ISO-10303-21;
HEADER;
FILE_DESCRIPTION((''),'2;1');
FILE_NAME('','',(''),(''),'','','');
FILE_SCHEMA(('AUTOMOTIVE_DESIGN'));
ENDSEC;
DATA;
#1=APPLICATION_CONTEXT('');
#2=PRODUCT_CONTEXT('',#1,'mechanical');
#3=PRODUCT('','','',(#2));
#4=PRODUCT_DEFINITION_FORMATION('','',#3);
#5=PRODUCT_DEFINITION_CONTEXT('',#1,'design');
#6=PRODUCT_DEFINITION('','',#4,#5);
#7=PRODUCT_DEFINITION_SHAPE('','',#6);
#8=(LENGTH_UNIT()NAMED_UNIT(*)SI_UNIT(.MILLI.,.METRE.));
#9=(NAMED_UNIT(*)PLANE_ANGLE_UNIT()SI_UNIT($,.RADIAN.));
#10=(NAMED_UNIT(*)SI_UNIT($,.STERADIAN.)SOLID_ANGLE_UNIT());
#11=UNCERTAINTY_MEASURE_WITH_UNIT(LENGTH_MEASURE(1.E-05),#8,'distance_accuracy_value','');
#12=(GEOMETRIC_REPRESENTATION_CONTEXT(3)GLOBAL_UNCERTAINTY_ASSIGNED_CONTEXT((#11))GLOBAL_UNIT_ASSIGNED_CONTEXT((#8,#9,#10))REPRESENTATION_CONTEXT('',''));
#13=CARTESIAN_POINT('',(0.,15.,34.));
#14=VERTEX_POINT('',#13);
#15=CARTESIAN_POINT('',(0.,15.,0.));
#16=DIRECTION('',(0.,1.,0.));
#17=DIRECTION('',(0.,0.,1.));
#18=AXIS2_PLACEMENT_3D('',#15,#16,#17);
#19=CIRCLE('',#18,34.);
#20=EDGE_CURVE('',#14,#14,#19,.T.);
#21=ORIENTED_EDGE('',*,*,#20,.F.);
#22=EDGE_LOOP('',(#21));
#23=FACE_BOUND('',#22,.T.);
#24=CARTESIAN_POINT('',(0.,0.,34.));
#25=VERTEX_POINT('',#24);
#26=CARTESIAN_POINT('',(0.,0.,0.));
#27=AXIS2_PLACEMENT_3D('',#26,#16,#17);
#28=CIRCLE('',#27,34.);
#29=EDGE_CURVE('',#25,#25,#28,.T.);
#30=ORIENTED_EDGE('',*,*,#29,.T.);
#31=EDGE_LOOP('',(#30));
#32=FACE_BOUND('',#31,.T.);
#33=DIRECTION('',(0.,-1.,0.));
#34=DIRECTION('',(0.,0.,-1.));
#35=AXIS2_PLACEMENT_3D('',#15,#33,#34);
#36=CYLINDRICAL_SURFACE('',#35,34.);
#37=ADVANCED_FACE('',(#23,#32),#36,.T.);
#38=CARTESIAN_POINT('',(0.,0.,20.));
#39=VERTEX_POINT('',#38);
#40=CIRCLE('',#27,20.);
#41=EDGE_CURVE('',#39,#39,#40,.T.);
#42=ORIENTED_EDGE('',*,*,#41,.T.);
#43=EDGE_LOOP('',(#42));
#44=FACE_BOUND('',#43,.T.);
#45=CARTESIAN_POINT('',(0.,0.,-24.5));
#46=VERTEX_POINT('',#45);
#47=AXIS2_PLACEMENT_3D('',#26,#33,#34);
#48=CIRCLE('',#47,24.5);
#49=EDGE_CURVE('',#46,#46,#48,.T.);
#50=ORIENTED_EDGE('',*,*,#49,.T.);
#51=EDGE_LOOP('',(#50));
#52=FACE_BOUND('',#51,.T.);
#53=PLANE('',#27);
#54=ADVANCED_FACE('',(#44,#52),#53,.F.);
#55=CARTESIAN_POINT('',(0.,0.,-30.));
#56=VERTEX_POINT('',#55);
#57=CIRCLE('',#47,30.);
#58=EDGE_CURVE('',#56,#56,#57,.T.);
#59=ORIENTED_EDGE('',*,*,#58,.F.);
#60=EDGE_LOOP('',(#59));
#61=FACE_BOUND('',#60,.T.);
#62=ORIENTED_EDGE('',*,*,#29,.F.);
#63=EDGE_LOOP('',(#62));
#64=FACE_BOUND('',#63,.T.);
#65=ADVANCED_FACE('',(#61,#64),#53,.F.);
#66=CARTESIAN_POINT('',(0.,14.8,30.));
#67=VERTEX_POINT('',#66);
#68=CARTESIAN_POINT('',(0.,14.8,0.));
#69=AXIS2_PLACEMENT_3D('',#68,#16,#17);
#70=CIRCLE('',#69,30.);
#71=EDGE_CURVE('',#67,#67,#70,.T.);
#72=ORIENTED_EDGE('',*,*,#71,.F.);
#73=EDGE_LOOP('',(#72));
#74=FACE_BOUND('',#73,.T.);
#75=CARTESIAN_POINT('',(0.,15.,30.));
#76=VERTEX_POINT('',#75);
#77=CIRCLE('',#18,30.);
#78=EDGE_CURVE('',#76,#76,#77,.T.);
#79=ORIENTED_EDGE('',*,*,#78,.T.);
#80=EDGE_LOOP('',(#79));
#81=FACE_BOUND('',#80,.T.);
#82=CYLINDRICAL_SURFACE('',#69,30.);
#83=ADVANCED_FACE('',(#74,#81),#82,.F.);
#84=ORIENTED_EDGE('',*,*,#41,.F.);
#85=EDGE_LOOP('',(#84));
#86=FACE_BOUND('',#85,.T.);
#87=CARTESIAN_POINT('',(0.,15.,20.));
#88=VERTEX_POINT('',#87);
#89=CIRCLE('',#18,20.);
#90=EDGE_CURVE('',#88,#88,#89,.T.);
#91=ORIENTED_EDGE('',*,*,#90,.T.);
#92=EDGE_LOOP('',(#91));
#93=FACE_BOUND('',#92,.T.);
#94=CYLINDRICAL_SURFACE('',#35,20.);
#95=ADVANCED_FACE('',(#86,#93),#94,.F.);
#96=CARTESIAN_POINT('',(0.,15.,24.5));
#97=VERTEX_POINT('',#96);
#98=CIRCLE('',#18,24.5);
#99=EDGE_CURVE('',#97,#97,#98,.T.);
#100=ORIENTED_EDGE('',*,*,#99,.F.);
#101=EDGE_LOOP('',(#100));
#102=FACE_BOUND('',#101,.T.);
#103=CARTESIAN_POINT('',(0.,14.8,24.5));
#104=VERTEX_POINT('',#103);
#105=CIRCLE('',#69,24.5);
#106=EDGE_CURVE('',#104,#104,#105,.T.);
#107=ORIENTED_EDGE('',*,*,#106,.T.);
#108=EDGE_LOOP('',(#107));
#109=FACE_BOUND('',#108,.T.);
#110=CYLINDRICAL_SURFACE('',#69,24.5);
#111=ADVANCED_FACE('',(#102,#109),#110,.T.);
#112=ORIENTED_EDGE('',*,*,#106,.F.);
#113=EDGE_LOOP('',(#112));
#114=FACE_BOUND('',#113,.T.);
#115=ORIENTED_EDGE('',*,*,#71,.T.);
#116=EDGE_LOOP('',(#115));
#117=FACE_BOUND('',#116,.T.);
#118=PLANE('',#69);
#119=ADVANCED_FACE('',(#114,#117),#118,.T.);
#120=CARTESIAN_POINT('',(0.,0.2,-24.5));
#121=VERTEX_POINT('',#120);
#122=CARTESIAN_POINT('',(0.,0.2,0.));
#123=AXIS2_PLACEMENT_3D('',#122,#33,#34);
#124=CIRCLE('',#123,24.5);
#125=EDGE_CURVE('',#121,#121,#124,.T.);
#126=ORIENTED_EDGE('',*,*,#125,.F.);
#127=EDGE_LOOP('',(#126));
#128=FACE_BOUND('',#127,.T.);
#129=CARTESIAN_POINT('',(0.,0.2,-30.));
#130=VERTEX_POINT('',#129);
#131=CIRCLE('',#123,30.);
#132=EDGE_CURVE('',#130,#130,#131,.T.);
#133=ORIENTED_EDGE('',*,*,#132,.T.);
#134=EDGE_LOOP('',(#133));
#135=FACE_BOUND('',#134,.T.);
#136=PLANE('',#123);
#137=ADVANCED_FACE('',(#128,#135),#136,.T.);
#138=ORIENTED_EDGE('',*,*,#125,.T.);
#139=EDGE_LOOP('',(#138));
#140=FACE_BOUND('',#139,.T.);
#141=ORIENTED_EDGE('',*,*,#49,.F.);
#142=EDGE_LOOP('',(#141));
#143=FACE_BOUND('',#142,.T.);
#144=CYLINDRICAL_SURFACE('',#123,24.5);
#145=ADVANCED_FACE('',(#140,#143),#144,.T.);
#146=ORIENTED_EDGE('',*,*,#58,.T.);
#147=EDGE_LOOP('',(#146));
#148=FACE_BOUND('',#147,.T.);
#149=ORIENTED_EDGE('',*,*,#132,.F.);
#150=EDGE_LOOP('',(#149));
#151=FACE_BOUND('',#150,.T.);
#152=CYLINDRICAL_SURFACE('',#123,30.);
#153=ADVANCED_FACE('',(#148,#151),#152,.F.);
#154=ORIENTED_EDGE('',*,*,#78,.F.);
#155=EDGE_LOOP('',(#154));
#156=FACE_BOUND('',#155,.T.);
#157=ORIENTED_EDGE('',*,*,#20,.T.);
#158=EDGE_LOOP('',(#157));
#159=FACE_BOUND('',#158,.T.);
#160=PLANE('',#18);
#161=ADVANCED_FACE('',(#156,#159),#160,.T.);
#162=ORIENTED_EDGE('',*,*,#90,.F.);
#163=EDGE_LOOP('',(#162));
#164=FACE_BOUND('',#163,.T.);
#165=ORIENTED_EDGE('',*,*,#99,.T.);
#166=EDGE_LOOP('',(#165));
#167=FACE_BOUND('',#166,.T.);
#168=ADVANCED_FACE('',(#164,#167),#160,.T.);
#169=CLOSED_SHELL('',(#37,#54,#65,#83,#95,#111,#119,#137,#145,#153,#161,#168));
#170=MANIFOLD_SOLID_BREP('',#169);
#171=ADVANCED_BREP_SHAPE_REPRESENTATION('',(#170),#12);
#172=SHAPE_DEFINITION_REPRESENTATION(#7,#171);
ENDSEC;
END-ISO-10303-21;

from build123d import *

# Parameters (mm, degrees)
ESQUISSE1_R             = 34
ESQUISSE1_R_2           = 20
BOSS_EXTRU_1_DEPTH      = 15
ESQUISSE2_R             = 30
ESQUISSE2_R_2           = 24.5
ENL_V_MAT_EXTRU_1_DEPTH = 0.2
ESQUISSE3_R             = 30
ESQUISSE3_R_2           = 24.5
ENL_V_MAT_EXTRU_2_DEPTH = 0.2


with BuildPart() as part:
    # Esquisse1 → Boss.-Extru.1 (new body)
    with BuildSketch(Plane(origin=(0, 0, 0), x_dir=(1, 0, 0), z_dir=(0, 1, 0))):
        Circle(ESQUISSE1_R)
        Circle(ESQUISSE1_R_2, mode=Mode.SUBTRACT)
    extrude(amount=BOSS_EXTRU_1_DEPTH)

    # Esquisse2 → Enlèv. mat.-Extru.1 (cut)
    with BuildSketch(Plane(origin=(0, 15, 0), x_dir=(1, 0, 0), z_dir=(0, 1, 0))):
        Circle(ESQUISSE2_R)
        Circle(ESQUISSE2_R_2, mode=Mode.SUBTRACT)
    extrude(amount=-ENL_V_MAT_EXTRU_1_DEPTH, mode=Mode.SUBTRACT)

    # Esquisse3 → Enlèv. mat.-Extru.2 (cut)
    with BuildSketch(Plane.XZ):
        Circle(ESQUISSE3_R)
        Circle(ESQUISSE3_R_2, mode=Mode.SUBTRACT)
    extrude(amount=-ENL_V_MAT_EXTRU_2_DEPTH, mode=Mode.SUBTRACT)


solid = part.part
